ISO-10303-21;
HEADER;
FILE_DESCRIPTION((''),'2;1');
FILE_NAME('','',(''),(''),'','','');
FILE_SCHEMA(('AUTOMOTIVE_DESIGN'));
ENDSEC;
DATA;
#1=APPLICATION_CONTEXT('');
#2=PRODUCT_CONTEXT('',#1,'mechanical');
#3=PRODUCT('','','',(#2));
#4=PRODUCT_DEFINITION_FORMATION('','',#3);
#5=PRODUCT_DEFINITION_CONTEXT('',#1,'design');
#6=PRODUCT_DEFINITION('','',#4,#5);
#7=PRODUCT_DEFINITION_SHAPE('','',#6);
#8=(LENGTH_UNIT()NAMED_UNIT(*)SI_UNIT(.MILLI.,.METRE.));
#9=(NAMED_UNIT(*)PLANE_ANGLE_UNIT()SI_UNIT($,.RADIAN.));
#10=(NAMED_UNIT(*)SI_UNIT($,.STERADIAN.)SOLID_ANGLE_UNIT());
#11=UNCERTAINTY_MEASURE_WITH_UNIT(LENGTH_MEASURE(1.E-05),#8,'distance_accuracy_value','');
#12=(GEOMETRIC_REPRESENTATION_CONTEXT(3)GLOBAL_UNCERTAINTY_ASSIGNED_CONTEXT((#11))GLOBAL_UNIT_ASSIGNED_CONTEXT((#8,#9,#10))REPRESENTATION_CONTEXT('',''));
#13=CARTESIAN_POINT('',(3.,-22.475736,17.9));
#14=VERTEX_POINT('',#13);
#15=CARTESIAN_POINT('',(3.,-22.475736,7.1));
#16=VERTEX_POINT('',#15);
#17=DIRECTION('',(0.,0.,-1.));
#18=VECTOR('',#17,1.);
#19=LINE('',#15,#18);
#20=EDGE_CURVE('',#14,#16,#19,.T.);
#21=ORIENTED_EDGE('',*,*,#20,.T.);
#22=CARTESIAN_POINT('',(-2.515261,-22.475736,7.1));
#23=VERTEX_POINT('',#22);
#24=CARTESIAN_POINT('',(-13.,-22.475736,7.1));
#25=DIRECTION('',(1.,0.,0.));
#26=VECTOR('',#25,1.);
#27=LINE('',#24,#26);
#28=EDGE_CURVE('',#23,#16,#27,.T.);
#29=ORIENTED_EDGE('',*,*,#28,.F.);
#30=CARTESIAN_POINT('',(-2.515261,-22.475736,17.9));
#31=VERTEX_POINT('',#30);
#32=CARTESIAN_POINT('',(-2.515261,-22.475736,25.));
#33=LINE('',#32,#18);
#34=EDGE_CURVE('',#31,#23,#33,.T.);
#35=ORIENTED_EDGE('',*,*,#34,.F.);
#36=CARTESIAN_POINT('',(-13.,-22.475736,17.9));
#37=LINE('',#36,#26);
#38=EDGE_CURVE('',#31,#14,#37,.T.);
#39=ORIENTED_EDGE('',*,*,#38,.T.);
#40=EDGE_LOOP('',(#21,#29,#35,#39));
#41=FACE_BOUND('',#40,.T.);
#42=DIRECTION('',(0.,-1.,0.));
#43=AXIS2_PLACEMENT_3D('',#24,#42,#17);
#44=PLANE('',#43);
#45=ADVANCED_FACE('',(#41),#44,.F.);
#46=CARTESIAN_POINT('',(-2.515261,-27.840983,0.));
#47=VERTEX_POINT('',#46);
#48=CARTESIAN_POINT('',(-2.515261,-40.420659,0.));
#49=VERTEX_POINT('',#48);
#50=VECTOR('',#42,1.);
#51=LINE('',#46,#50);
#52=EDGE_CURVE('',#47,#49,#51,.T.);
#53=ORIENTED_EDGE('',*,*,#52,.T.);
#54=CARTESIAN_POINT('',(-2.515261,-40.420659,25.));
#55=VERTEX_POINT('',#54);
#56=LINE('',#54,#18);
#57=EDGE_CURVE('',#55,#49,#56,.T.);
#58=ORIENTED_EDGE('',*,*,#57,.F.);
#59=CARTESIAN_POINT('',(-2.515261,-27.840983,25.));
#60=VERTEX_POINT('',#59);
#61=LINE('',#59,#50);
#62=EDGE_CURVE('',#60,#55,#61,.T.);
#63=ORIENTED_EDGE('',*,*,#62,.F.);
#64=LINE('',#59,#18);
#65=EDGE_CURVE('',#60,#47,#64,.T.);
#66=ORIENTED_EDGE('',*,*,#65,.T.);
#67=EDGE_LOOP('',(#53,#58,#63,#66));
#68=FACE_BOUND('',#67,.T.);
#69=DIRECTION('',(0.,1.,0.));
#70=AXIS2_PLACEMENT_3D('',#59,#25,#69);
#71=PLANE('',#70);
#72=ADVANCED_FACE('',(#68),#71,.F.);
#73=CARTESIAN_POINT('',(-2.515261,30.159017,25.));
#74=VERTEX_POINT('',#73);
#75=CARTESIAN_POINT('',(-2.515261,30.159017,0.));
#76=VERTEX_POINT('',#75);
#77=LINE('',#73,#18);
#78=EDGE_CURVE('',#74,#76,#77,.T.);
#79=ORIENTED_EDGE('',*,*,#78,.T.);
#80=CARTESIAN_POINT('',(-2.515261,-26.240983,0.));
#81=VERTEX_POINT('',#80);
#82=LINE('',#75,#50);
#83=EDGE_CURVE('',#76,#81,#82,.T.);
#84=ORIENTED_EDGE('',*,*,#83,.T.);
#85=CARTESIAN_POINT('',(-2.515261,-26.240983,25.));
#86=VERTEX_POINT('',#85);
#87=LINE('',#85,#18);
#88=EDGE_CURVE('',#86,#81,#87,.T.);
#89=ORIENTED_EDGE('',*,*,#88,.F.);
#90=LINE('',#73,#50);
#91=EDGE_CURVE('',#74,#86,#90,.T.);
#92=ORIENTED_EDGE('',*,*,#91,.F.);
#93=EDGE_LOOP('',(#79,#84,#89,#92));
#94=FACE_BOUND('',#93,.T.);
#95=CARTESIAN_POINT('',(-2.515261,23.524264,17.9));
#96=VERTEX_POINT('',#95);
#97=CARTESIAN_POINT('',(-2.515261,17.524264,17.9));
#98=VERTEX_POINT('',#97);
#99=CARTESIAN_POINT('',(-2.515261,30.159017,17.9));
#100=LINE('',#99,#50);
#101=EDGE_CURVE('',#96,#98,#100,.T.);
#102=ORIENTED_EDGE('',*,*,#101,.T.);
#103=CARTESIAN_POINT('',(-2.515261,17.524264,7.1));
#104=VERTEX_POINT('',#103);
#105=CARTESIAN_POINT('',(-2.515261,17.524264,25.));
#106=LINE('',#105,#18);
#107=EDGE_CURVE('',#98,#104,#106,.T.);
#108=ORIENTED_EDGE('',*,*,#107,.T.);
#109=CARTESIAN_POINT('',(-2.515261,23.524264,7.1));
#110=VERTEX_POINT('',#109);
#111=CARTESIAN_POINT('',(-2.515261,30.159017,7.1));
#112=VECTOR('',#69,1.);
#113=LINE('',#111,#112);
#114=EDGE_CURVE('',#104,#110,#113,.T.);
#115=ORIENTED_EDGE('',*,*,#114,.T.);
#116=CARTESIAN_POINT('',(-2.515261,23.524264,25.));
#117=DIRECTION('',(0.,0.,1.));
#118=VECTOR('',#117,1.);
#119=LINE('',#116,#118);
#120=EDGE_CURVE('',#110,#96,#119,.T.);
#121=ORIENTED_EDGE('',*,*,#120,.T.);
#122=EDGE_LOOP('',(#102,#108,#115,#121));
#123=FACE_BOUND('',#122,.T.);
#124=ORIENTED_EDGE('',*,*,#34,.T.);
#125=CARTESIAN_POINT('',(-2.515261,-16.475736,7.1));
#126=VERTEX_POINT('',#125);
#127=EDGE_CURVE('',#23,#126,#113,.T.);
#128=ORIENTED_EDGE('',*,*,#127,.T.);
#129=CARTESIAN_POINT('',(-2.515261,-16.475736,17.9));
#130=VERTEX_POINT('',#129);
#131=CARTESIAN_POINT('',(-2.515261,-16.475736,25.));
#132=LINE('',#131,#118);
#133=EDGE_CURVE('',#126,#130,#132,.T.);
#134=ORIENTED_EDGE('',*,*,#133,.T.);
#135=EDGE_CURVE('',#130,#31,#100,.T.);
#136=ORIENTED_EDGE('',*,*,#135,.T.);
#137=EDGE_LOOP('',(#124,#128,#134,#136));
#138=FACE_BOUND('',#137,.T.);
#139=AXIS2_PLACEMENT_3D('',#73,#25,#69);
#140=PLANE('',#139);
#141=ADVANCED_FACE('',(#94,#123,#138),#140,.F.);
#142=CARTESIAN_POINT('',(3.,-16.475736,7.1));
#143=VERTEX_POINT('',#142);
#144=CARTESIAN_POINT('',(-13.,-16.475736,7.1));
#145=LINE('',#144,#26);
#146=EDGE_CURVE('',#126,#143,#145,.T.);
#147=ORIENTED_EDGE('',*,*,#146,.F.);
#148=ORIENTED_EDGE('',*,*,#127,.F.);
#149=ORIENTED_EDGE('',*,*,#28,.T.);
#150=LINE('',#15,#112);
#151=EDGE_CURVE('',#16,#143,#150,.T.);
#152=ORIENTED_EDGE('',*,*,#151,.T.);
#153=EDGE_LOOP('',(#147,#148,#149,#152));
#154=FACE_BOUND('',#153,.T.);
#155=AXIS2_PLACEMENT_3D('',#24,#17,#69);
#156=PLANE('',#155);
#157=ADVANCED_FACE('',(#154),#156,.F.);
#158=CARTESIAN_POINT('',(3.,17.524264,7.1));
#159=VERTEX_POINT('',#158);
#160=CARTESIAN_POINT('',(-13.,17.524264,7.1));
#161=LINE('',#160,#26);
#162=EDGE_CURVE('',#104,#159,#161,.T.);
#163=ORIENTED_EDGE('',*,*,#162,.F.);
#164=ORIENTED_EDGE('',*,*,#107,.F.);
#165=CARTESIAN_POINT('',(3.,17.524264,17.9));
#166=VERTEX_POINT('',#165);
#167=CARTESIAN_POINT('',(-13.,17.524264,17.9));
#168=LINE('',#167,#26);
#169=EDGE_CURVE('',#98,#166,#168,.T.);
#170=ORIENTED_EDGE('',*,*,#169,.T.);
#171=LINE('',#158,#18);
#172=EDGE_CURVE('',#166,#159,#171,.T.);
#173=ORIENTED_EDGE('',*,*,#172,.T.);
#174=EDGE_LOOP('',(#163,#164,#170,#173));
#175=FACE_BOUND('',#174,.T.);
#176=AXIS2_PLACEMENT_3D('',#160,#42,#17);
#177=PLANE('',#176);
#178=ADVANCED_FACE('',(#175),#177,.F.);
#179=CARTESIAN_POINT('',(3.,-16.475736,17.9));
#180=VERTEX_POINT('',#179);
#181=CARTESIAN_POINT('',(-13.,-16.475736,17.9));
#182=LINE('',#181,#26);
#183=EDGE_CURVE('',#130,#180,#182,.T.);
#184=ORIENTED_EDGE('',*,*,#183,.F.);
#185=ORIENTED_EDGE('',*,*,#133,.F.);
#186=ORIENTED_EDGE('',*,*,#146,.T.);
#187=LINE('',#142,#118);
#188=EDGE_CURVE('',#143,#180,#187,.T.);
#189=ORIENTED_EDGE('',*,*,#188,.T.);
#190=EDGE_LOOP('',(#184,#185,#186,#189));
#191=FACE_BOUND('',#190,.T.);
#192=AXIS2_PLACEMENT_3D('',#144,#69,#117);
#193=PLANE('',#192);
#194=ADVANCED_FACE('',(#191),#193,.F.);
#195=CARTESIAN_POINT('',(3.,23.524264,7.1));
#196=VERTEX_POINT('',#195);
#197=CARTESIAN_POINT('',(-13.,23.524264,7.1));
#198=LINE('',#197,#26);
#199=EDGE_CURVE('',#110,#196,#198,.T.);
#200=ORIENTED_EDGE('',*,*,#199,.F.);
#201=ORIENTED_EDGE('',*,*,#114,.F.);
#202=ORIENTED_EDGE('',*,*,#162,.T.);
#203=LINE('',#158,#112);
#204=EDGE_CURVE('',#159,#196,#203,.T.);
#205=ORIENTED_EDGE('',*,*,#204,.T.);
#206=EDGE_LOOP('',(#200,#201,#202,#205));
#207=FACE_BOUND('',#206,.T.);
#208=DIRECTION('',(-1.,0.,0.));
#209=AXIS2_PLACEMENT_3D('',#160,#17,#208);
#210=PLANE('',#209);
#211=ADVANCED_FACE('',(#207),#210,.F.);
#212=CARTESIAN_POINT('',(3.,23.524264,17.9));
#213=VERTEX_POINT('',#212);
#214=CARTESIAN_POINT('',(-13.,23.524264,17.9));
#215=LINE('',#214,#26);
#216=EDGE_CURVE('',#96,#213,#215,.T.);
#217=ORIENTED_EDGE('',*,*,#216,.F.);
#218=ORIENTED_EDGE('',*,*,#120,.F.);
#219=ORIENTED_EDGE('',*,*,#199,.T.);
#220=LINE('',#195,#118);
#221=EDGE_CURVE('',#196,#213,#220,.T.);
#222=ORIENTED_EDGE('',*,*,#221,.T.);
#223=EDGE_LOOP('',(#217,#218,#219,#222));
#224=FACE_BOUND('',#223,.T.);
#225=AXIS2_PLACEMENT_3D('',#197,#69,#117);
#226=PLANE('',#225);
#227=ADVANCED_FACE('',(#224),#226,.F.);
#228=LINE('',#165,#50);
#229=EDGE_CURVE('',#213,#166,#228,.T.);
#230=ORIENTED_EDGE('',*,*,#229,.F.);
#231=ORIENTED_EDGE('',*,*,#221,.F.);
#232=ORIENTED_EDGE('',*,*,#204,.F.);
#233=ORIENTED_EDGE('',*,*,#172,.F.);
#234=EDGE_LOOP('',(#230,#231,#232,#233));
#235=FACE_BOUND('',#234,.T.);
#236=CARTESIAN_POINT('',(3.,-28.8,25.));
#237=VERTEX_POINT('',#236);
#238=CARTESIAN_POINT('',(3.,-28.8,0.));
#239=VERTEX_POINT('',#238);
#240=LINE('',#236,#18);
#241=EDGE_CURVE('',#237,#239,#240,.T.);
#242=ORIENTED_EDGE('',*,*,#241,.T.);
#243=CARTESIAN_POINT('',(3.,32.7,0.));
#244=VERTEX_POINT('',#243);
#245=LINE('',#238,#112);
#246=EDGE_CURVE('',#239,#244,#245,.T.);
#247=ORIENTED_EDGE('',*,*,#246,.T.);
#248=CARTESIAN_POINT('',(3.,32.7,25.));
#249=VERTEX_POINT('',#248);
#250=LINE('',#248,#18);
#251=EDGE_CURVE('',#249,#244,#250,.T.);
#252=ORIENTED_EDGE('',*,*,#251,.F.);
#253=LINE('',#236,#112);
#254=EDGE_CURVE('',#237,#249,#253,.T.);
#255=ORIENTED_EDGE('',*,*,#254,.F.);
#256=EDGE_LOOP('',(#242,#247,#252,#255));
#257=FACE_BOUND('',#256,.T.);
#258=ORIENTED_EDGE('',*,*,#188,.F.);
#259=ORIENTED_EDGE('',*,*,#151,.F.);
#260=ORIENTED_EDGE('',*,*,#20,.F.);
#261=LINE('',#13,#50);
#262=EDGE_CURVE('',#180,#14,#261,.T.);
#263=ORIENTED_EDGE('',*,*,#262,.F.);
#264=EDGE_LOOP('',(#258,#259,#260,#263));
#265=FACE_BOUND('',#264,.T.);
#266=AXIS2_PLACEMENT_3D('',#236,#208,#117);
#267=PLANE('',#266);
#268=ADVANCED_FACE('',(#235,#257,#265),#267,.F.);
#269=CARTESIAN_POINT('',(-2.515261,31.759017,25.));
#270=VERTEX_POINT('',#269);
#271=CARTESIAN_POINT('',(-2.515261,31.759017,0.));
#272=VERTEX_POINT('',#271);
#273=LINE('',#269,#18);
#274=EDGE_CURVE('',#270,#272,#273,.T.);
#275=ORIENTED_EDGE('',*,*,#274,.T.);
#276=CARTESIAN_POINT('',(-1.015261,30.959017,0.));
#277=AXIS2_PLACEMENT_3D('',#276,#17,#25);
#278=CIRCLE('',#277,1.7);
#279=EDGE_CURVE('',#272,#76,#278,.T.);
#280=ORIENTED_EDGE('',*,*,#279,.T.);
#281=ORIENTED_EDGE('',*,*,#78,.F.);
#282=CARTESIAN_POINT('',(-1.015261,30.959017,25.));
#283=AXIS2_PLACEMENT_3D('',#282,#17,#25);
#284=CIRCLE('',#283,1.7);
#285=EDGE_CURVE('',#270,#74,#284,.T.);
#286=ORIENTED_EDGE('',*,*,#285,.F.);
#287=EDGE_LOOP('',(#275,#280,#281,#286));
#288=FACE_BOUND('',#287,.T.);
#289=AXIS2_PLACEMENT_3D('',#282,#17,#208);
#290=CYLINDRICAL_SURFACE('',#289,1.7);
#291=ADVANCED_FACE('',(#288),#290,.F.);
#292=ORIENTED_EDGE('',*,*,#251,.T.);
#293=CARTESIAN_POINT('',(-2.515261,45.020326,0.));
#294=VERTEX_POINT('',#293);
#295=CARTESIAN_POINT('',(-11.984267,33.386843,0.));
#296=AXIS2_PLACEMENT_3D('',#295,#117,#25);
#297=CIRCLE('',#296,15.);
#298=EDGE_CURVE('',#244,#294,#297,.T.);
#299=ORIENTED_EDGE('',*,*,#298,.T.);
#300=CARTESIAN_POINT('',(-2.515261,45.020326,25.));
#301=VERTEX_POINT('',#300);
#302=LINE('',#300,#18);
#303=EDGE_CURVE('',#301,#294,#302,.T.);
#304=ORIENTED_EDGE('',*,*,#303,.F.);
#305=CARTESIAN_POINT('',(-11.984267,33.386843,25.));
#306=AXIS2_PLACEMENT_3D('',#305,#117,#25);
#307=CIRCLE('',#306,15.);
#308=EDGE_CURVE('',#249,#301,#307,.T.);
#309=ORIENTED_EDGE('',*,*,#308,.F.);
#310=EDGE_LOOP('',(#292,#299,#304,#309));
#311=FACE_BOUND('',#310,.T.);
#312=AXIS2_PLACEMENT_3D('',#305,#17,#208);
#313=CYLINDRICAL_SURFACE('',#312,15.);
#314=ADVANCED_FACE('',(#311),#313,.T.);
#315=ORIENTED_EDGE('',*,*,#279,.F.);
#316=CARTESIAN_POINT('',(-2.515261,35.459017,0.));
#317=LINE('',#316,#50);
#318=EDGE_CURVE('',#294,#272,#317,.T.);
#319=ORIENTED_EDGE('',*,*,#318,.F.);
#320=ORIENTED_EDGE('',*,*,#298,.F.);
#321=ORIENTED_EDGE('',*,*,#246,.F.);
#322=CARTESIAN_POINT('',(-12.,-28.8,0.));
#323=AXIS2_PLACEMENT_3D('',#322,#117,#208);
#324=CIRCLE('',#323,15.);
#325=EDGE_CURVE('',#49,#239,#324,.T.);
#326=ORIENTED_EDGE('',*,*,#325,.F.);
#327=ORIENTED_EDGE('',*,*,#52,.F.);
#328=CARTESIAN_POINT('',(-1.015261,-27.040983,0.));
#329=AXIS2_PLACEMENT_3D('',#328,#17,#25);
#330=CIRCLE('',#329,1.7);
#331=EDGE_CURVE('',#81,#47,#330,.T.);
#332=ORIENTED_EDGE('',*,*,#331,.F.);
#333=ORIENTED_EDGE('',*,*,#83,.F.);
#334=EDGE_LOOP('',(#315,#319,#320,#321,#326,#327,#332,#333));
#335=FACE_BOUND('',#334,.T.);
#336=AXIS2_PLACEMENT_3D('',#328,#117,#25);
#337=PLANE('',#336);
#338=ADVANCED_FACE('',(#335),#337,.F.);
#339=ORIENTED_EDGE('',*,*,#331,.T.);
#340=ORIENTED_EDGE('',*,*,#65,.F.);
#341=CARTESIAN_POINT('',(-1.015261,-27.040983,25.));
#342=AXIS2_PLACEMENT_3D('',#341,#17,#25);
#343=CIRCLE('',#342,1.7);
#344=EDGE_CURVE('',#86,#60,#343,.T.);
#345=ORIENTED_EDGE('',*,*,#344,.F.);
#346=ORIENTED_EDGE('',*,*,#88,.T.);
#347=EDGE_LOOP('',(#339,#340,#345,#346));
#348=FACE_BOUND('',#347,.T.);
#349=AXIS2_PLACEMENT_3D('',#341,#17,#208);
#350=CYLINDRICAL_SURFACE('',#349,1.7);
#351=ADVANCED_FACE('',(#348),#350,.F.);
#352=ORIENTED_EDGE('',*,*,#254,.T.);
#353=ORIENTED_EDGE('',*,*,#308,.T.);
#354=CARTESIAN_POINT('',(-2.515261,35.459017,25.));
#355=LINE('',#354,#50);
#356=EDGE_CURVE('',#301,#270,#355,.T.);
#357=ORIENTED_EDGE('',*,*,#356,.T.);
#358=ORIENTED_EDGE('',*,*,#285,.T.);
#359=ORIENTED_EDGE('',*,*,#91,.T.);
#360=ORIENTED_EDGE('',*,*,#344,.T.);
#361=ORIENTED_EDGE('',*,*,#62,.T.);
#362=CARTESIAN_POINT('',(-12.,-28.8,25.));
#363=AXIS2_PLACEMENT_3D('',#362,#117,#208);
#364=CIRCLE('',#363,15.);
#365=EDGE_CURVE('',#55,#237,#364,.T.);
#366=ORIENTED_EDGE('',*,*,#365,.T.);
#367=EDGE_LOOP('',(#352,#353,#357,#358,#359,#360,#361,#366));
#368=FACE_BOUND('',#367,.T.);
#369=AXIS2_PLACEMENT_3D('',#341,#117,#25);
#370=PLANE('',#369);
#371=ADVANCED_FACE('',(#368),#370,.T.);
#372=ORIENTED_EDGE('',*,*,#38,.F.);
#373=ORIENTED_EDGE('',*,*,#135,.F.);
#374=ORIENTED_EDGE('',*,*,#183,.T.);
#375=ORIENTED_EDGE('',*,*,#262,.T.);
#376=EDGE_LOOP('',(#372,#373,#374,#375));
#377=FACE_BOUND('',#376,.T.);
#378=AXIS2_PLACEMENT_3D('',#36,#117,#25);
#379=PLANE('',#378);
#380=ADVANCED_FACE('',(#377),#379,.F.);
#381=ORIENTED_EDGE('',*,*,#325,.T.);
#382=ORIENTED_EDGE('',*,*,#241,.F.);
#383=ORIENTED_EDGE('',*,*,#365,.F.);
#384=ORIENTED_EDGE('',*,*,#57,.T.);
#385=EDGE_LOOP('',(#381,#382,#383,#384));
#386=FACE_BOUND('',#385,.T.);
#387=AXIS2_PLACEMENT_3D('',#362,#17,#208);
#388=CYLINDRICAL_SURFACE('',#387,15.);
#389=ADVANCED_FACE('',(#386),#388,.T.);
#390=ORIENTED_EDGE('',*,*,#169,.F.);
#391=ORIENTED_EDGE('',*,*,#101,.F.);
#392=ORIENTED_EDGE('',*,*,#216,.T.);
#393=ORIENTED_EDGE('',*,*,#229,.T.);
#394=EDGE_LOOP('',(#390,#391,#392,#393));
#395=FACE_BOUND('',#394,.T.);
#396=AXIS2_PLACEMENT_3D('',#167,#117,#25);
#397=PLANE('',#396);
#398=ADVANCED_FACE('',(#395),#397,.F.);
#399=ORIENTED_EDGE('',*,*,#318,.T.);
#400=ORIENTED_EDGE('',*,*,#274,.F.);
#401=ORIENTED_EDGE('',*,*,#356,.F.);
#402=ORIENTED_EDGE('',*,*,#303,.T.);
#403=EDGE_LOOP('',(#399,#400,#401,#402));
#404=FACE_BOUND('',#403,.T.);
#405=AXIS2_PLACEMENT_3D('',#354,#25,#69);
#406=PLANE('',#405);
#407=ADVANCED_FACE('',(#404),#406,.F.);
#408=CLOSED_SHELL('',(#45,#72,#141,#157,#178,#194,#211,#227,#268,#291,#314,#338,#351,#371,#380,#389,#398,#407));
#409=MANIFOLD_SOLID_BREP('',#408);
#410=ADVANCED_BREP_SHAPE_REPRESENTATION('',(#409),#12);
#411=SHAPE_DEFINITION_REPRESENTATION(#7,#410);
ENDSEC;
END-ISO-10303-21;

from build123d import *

# Parameters (mm, degrees)
BOSS_EXTRU_1_DEPTH      = 25
ESQUISSE6_W             = 10.8
ESQUISSE6_H             = 6
ENL_V_MAT_EXTRU_5_DEPTH = 16


with BuildPart() as part:
    # Esquisse1 → Boss.-Extru.1 (new body)
    with BuildSketch(Plane.XY):
        with BuildLine():
            Line((-2.515260994, 35.459016609), (-2.515260994, 31.759016609))
            ThreePointArc((-2.515260994, 31.759016609), (0.684739006, 30.959016609), (-2.515260994, 30.159016609))
            Line((-2.515260994, 30.159016609), (-2.515260994, -26.240983391))
            ThreePointArc((-2.515260994, -26.240983391), (0.684739006, -27.040983391), (-2.515260994, -27.840983391))
            Line((-2.515260994, -27.840983391), (-2.515260994, -40.420659447))
            ThreePointArc((-2.515260994, -40.420659447), (1.551219227, -35.231520618), (3, -28.8))
            Line((3, -28.8), (3, 32.7))
            ThreePointArc((3, 32.7), (1.706542051, 39.51560803), (-2.515260994, 45.020326491))
            Line((-2.515260994, 45.020326491), (-2.515260994, 35.459016609))
        make_face()
    extrude(amount=BOSS_EXTRU_1_DEPTH)

    # Esquisse6 → Enlèv. mat.-Extru.5 (cut)
    with BuildSketch(Plane(origin=(3, 0, 0), x_dir=(0, 0, -1), z_dir=(1, 0, 0))):
        with Locations((-12.5, 20.524263914)):
            Rectangle(ESQUISSE6_W, ESQUISSE6_H)
        with Locations((-12.5, -19.475736086)):
            Rectangle(ESQUISSE6_W, ESQUISSE6_H)
    extrude(amount=-ENL_V_MAT_EXTRU_5_DEPTH, mode=Mode.SUBTRACT)


solid = part.part
